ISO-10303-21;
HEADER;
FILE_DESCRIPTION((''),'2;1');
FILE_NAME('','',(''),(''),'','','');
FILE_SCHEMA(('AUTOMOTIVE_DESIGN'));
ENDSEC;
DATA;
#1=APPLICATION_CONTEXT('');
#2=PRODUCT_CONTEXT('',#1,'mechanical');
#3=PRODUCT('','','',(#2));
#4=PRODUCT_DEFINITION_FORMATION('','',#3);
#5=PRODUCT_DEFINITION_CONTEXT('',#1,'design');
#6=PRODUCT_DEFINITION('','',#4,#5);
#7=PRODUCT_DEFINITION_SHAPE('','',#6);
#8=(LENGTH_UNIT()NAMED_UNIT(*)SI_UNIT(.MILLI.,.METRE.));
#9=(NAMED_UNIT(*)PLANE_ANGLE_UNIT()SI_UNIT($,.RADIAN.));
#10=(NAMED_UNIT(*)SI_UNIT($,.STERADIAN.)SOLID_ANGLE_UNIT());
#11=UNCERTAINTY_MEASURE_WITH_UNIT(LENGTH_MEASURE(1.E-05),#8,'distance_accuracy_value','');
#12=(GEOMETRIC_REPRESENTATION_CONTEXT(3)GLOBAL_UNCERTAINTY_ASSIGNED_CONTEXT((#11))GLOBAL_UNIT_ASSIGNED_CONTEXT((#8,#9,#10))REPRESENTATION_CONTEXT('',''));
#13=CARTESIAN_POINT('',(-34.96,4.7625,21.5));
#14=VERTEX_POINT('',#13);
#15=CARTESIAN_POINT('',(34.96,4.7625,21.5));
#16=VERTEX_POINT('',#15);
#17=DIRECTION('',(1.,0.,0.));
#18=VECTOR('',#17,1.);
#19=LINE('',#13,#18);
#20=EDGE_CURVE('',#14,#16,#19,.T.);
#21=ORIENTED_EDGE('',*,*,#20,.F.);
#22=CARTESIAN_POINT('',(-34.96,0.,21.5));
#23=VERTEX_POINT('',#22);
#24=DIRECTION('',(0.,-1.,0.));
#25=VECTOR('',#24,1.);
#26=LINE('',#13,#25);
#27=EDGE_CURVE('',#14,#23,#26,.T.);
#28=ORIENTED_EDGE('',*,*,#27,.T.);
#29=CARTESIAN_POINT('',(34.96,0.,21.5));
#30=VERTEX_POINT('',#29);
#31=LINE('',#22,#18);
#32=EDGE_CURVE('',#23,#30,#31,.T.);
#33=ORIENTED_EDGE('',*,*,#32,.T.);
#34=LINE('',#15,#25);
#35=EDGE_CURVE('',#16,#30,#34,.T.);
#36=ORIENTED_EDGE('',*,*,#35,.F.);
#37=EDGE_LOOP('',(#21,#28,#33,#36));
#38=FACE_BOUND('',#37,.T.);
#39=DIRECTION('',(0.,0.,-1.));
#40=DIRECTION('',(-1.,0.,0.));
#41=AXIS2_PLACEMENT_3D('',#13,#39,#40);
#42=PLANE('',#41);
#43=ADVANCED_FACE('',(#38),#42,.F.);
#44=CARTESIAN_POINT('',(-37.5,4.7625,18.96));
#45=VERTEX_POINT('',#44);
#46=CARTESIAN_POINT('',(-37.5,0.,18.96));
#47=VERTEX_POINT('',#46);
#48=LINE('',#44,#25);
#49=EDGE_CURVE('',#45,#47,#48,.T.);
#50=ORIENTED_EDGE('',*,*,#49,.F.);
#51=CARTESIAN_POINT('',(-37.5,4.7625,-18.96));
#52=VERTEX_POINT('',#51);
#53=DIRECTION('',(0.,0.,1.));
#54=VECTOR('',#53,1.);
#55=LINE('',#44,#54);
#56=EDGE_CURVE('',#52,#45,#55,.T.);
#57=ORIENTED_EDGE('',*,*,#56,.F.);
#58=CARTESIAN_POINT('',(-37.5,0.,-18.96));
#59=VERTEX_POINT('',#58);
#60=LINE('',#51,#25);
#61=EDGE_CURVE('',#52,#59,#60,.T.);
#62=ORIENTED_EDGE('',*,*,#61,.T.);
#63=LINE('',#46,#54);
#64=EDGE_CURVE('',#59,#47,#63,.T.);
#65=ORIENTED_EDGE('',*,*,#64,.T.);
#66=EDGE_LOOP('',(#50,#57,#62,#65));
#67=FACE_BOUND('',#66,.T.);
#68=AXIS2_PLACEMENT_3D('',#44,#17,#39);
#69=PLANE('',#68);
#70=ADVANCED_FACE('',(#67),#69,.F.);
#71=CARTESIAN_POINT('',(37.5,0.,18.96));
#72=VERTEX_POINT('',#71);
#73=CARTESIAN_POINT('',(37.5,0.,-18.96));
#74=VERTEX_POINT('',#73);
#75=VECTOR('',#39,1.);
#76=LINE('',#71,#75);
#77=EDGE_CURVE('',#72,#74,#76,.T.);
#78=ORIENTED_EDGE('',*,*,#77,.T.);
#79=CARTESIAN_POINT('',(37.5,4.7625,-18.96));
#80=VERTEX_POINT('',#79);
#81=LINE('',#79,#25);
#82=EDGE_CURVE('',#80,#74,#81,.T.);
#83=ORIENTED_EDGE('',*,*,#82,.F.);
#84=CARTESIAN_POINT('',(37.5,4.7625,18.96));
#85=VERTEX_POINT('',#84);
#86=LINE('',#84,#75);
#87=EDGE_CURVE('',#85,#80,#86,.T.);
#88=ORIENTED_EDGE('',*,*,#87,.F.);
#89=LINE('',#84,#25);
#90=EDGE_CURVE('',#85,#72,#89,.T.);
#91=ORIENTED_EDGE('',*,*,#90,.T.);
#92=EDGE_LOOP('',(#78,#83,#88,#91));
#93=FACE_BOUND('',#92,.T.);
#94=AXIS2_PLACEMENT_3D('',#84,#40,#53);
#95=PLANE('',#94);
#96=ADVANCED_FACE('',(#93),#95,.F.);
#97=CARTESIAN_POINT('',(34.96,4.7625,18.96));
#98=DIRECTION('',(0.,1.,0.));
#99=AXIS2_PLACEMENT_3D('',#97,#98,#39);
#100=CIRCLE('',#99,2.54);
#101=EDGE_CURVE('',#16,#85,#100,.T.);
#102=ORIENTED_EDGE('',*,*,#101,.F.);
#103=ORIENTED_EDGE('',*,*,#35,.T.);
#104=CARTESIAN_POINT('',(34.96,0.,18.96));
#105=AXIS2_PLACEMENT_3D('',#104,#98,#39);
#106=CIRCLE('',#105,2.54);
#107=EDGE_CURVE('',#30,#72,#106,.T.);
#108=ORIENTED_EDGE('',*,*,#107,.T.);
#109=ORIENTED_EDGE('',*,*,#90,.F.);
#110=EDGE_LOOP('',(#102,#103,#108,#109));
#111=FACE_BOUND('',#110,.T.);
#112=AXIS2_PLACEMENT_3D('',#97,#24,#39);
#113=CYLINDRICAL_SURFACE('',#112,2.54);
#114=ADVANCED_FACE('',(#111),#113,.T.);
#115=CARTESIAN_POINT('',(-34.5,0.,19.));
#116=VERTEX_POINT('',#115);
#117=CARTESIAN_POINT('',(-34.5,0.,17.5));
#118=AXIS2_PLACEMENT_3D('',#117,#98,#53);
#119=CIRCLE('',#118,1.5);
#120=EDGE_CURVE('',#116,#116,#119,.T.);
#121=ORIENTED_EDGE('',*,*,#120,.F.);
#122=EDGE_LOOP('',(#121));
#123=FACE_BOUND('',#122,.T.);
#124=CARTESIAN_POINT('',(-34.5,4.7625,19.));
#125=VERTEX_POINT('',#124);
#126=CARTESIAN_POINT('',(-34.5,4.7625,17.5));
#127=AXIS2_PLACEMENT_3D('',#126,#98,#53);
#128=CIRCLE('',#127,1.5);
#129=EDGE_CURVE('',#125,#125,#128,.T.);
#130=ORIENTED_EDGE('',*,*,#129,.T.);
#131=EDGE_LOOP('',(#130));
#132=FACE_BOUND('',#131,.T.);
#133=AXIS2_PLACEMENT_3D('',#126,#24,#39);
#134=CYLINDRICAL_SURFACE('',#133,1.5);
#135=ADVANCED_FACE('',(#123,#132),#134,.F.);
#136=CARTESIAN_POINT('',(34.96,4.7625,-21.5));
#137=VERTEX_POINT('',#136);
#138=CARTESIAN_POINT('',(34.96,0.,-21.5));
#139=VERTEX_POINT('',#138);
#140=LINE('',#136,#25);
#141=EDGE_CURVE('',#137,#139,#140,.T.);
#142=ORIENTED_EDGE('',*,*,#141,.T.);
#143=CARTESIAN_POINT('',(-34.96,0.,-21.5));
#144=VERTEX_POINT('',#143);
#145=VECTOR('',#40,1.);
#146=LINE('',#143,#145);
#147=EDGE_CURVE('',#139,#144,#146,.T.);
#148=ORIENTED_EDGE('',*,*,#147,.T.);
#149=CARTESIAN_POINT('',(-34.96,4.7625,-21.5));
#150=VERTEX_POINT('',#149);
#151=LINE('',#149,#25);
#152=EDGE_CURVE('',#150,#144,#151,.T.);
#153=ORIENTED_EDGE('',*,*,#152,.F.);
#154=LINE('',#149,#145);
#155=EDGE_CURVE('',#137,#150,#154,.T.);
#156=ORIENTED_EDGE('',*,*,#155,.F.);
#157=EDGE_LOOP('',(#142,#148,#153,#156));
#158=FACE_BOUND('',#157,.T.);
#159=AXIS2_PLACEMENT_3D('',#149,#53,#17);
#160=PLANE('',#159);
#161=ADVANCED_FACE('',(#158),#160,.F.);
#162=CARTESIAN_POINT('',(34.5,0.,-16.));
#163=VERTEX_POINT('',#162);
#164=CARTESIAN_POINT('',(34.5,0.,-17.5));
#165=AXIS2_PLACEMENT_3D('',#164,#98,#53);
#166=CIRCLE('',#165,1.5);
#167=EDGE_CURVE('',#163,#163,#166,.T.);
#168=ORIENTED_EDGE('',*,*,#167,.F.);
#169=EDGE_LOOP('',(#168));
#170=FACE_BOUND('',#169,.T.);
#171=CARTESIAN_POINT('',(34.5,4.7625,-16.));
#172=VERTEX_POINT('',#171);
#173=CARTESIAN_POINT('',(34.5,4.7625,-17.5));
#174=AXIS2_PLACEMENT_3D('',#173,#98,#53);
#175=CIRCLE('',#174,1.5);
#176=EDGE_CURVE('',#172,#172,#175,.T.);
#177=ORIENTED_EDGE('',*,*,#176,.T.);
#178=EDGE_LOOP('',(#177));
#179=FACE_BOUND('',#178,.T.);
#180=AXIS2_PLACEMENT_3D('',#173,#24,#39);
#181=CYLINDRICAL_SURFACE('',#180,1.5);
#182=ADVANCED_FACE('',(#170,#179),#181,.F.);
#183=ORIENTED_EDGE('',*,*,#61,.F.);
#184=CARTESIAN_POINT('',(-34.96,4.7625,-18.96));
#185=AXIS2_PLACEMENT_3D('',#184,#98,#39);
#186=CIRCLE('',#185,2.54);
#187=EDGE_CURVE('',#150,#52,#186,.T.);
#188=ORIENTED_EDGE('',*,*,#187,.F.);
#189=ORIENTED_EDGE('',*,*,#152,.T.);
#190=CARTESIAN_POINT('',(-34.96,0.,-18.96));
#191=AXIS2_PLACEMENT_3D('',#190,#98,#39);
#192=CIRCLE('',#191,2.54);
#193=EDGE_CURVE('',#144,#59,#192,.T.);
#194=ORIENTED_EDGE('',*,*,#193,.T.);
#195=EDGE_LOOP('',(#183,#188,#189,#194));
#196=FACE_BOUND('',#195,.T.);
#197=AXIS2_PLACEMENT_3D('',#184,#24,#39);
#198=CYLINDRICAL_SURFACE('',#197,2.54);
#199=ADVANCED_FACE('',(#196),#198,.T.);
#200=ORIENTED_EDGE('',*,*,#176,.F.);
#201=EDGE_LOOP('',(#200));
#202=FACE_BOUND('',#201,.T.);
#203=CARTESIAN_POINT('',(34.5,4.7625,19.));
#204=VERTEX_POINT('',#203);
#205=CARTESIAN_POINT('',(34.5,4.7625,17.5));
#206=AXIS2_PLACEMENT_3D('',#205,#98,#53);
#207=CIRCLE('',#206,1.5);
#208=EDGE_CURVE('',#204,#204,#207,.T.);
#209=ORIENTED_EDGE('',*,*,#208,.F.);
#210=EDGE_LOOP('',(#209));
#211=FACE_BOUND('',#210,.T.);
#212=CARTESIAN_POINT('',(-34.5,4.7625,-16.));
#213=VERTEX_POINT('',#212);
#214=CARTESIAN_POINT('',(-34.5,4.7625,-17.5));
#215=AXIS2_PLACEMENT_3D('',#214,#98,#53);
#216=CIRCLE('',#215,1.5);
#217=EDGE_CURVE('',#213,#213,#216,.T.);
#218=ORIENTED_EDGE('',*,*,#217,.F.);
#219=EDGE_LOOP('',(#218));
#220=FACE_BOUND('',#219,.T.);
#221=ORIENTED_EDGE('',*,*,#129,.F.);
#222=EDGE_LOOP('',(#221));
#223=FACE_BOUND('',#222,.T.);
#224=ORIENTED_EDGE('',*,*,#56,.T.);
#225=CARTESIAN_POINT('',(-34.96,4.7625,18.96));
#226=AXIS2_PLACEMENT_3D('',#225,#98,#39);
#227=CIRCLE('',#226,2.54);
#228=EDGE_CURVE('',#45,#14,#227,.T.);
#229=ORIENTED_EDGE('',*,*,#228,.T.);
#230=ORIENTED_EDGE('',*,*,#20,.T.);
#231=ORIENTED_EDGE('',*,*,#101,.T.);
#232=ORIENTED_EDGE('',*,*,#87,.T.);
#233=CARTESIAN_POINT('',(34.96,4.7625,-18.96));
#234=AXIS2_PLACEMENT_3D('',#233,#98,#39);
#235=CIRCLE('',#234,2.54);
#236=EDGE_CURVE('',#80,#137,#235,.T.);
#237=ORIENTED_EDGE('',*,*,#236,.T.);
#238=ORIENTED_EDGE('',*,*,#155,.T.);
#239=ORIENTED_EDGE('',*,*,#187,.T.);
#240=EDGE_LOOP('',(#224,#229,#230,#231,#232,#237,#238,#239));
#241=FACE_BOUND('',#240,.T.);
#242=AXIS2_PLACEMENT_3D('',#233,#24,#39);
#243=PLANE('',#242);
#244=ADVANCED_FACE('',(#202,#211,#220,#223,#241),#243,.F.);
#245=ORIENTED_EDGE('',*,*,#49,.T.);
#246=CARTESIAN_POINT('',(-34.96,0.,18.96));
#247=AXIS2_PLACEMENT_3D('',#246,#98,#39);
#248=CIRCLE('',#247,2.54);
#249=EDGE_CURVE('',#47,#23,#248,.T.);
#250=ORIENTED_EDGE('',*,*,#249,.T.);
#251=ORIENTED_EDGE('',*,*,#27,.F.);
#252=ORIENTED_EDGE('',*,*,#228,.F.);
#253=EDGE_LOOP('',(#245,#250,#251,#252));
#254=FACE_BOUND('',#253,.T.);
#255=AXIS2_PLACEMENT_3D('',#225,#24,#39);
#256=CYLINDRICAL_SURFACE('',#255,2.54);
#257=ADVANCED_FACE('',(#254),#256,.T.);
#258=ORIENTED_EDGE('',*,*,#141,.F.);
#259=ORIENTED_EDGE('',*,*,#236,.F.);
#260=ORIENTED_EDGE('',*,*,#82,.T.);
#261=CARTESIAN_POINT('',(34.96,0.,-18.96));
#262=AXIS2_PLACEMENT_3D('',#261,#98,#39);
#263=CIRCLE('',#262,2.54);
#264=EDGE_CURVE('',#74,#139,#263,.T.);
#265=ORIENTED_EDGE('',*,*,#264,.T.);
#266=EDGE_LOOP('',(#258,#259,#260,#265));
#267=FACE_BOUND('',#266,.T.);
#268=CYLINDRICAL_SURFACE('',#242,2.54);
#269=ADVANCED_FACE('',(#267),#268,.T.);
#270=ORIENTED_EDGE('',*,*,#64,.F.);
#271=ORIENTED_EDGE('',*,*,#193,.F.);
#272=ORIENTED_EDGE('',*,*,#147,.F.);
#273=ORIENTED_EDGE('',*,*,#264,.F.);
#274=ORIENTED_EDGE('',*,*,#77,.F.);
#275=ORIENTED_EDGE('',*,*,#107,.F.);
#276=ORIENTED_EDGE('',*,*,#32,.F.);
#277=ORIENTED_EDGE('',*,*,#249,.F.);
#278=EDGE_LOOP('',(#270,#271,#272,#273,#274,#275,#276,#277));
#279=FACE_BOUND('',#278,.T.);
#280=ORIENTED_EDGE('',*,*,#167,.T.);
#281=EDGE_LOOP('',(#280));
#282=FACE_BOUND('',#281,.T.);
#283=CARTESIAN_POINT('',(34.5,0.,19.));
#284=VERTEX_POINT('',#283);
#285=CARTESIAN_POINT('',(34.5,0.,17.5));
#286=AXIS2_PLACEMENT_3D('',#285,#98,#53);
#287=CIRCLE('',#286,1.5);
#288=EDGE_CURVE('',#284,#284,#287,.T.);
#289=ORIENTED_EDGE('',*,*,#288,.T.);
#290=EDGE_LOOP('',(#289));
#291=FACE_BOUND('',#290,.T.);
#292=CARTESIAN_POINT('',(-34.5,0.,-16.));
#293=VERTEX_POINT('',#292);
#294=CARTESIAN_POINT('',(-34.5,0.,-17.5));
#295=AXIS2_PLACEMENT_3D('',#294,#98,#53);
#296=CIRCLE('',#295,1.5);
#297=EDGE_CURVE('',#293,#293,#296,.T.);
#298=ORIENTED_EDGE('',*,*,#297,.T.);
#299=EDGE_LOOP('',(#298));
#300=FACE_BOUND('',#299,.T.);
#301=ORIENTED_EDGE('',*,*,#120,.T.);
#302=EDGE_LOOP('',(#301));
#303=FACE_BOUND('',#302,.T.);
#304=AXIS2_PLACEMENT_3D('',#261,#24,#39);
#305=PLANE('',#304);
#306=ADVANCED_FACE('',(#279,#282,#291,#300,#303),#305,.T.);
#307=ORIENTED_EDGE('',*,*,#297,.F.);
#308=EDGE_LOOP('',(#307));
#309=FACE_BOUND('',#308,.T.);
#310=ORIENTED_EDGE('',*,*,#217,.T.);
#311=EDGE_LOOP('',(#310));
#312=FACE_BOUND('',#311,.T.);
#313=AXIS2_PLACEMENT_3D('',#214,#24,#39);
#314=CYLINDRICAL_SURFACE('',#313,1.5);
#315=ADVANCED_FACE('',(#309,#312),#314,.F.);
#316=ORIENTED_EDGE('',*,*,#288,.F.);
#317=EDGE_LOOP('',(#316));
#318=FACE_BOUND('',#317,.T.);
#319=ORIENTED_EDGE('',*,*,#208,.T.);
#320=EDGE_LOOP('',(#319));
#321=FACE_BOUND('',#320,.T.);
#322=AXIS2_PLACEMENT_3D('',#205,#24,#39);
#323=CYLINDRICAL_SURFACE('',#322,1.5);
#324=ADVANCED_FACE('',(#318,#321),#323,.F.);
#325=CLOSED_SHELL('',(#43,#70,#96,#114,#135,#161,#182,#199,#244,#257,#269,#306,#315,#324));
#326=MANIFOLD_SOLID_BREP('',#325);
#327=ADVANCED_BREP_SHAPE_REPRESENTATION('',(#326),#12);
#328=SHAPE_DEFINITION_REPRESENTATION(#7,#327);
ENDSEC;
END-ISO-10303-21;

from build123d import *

# Parameters (mm, degrees)
SKETCH1_R           = 1.5
BOSS_EXTRUDE1_DEPTH = 4.7625


with BuildPart() as part:
    # Sketch1 → Boss-Extrude1 (new body)
    with BuildSketch(Plane(origin=(0, 0, 0), x_dir=(1, 0, 0), z_dir=(0, 1, 0))):
        with BuildLine():
            Line((-34.96, -21.5), (34.96, -21.5))
            ThreePointArc((34.96, -21.5), (36.756051224, -20.756051224), (37.5, -18.96))
            Line((37.5, -18.96), (37.5, 18.96))
            ThreePointArc((37.5, 18.96), (36.756051224, 20.756051224), (34.96, 21.5))
            Line((34.96, 21.5), (-34.96, 21.5))
            ThreePointArc((-34.96, 21.5), (-36.756051224, 20.756051224), (-37.5, 18.96))
            Line((-37.5, 18.96), (-37.5, -18.96))
            ThreePointArc((-37.5, -18.96), (-36.756051224, -20.756051224), (-34.96, -21.5))
        make_face()
        with Locations((-34.5, 17.5)):
            Circle(SKETCH1_R, mode=Mode.SUBTRACT)
        with Locations((-34.5, -17.5)):
            Circle(SKETCH1_R, mode=Mode.SUBTRACT)
        with Locations((34.5, -17.5)):
            Circle(SKETCH1_R, mode=Mode.SUBTRACT)
        with Locations((34.5, 17.5)):
            Circle(SKETCH1_R, mode=Mode.SUBTRACT)
    extrude(amount=BOSS_EXTRUDE1_DEPTH)


solid = part.part
